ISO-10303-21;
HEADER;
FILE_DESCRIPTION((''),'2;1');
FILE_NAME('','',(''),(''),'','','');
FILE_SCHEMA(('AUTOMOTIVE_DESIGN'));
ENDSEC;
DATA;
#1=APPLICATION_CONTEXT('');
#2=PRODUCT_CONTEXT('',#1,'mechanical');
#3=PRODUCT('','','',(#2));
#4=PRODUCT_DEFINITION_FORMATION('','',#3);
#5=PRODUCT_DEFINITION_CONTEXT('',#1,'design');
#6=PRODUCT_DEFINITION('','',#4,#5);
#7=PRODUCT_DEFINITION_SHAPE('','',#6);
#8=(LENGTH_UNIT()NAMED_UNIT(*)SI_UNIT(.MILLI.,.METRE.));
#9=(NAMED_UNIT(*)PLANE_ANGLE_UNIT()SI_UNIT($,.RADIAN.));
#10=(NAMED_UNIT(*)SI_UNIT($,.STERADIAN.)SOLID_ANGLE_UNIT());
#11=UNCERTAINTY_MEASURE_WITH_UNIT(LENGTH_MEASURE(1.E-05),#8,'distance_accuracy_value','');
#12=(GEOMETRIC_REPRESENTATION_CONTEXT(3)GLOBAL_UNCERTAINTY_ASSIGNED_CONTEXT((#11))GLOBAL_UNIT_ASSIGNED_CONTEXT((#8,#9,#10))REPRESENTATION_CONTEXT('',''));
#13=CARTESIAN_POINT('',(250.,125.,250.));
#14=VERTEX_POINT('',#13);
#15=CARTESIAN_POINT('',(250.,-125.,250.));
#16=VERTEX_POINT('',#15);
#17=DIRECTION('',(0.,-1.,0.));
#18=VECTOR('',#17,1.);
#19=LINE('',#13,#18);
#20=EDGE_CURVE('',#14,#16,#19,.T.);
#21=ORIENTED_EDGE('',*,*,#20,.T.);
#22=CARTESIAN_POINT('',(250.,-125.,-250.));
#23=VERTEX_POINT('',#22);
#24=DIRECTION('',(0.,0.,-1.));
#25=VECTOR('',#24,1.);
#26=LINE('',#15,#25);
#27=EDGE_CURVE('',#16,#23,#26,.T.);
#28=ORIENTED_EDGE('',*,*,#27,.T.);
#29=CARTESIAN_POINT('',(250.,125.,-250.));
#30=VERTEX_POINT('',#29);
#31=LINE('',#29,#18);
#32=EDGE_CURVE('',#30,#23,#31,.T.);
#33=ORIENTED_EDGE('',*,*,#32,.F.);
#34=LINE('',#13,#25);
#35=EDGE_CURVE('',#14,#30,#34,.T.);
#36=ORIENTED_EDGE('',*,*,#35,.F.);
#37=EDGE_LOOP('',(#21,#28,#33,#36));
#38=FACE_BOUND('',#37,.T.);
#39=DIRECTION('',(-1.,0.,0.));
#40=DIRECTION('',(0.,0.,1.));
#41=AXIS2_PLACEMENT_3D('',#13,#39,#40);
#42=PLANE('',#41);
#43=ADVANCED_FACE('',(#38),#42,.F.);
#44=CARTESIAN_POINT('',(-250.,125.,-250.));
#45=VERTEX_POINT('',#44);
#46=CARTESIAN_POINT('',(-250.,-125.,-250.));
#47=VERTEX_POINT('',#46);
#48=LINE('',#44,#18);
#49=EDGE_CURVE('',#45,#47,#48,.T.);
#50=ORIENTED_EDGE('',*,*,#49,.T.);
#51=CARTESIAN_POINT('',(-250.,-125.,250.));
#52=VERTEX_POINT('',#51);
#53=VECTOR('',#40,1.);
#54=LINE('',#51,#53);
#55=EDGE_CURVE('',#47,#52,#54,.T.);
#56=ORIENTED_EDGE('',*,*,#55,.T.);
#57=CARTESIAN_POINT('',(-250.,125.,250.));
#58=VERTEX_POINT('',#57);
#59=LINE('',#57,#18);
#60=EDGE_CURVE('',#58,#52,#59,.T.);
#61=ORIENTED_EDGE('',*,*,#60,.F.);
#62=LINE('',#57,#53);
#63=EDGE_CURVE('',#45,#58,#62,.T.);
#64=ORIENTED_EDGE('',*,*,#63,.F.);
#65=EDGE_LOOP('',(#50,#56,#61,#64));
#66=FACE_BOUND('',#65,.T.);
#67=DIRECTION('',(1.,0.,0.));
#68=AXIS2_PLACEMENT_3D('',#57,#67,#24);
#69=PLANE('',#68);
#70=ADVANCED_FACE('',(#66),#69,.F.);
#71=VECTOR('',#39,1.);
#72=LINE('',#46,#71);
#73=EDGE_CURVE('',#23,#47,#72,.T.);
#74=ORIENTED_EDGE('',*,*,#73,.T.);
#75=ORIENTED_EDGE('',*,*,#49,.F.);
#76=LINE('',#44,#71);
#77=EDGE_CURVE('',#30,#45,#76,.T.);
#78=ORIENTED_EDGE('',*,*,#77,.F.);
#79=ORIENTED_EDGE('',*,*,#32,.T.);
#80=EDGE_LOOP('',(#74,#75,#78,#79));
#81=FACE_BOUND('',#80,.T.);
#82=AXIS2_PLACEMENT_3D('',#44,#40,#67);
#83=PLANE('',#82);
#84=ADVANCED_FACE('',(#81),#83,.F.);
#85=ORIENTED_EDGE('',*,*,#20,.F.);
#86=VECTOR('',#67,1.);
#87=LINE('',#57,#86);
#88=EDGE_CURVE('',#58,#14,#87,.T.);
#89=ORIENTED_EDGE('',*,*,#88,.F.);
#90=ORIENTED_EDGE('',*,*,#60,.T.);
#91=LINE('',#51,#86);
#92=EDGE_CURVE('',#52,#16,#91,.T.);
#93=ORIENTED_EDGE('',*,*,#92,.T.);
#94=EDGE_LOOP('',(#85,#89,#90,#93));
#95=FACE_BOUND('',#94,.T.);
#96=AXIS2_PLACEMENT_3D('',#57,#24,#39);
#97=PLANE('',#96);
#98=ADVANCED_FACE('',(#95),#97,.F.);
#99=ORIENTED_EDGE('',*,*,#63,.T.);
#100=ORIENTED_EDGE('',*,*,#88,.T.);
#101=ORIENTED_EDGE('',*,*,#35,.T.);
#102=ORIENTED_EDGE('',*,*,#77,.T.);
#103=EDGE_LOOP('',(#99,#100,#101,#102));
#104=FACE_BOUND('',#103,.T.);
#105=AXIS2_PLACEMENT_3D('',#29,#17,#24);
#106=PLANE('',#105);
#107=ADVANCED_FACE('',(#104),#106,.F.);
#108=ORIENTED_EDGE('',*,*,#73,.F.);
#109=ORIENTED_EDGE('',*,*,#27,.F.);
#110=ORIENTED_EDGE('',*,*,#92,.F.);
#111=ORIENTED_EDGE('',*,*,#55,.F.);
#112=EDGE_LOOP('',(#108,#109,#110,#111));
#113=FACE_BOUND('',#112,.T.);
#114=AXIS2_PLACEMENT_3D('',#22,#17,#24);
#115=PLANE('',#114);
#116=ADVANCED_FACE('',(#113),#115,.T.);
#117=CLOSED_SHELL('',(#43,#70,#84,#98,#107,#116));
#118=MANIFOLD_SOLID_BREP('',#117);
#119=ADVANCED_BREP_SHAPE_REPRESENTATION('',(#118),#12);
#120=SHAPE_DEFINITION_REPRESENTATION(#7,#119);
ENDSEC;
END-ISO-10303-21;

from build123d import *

# Parameters (mm, degrees)
SKETCH1_W      = 500
SKETCH1_H      = 500
EXTRUDE1_DEPTH = 125


with BuildPart() as part:
    # Sketch1 → Extrude1 (new body, symmetric)
    with BuildSketch(Plane(origin=(0, 0, 0), x_dir=(1, 0, 0), z_dir=(0, 1, 0))):
        Rectangle(SKETCH1_W, SKETCH1_H)
    extrude(amount=EXTRUDE1_DEPTH, both=True)


solid = part.part
